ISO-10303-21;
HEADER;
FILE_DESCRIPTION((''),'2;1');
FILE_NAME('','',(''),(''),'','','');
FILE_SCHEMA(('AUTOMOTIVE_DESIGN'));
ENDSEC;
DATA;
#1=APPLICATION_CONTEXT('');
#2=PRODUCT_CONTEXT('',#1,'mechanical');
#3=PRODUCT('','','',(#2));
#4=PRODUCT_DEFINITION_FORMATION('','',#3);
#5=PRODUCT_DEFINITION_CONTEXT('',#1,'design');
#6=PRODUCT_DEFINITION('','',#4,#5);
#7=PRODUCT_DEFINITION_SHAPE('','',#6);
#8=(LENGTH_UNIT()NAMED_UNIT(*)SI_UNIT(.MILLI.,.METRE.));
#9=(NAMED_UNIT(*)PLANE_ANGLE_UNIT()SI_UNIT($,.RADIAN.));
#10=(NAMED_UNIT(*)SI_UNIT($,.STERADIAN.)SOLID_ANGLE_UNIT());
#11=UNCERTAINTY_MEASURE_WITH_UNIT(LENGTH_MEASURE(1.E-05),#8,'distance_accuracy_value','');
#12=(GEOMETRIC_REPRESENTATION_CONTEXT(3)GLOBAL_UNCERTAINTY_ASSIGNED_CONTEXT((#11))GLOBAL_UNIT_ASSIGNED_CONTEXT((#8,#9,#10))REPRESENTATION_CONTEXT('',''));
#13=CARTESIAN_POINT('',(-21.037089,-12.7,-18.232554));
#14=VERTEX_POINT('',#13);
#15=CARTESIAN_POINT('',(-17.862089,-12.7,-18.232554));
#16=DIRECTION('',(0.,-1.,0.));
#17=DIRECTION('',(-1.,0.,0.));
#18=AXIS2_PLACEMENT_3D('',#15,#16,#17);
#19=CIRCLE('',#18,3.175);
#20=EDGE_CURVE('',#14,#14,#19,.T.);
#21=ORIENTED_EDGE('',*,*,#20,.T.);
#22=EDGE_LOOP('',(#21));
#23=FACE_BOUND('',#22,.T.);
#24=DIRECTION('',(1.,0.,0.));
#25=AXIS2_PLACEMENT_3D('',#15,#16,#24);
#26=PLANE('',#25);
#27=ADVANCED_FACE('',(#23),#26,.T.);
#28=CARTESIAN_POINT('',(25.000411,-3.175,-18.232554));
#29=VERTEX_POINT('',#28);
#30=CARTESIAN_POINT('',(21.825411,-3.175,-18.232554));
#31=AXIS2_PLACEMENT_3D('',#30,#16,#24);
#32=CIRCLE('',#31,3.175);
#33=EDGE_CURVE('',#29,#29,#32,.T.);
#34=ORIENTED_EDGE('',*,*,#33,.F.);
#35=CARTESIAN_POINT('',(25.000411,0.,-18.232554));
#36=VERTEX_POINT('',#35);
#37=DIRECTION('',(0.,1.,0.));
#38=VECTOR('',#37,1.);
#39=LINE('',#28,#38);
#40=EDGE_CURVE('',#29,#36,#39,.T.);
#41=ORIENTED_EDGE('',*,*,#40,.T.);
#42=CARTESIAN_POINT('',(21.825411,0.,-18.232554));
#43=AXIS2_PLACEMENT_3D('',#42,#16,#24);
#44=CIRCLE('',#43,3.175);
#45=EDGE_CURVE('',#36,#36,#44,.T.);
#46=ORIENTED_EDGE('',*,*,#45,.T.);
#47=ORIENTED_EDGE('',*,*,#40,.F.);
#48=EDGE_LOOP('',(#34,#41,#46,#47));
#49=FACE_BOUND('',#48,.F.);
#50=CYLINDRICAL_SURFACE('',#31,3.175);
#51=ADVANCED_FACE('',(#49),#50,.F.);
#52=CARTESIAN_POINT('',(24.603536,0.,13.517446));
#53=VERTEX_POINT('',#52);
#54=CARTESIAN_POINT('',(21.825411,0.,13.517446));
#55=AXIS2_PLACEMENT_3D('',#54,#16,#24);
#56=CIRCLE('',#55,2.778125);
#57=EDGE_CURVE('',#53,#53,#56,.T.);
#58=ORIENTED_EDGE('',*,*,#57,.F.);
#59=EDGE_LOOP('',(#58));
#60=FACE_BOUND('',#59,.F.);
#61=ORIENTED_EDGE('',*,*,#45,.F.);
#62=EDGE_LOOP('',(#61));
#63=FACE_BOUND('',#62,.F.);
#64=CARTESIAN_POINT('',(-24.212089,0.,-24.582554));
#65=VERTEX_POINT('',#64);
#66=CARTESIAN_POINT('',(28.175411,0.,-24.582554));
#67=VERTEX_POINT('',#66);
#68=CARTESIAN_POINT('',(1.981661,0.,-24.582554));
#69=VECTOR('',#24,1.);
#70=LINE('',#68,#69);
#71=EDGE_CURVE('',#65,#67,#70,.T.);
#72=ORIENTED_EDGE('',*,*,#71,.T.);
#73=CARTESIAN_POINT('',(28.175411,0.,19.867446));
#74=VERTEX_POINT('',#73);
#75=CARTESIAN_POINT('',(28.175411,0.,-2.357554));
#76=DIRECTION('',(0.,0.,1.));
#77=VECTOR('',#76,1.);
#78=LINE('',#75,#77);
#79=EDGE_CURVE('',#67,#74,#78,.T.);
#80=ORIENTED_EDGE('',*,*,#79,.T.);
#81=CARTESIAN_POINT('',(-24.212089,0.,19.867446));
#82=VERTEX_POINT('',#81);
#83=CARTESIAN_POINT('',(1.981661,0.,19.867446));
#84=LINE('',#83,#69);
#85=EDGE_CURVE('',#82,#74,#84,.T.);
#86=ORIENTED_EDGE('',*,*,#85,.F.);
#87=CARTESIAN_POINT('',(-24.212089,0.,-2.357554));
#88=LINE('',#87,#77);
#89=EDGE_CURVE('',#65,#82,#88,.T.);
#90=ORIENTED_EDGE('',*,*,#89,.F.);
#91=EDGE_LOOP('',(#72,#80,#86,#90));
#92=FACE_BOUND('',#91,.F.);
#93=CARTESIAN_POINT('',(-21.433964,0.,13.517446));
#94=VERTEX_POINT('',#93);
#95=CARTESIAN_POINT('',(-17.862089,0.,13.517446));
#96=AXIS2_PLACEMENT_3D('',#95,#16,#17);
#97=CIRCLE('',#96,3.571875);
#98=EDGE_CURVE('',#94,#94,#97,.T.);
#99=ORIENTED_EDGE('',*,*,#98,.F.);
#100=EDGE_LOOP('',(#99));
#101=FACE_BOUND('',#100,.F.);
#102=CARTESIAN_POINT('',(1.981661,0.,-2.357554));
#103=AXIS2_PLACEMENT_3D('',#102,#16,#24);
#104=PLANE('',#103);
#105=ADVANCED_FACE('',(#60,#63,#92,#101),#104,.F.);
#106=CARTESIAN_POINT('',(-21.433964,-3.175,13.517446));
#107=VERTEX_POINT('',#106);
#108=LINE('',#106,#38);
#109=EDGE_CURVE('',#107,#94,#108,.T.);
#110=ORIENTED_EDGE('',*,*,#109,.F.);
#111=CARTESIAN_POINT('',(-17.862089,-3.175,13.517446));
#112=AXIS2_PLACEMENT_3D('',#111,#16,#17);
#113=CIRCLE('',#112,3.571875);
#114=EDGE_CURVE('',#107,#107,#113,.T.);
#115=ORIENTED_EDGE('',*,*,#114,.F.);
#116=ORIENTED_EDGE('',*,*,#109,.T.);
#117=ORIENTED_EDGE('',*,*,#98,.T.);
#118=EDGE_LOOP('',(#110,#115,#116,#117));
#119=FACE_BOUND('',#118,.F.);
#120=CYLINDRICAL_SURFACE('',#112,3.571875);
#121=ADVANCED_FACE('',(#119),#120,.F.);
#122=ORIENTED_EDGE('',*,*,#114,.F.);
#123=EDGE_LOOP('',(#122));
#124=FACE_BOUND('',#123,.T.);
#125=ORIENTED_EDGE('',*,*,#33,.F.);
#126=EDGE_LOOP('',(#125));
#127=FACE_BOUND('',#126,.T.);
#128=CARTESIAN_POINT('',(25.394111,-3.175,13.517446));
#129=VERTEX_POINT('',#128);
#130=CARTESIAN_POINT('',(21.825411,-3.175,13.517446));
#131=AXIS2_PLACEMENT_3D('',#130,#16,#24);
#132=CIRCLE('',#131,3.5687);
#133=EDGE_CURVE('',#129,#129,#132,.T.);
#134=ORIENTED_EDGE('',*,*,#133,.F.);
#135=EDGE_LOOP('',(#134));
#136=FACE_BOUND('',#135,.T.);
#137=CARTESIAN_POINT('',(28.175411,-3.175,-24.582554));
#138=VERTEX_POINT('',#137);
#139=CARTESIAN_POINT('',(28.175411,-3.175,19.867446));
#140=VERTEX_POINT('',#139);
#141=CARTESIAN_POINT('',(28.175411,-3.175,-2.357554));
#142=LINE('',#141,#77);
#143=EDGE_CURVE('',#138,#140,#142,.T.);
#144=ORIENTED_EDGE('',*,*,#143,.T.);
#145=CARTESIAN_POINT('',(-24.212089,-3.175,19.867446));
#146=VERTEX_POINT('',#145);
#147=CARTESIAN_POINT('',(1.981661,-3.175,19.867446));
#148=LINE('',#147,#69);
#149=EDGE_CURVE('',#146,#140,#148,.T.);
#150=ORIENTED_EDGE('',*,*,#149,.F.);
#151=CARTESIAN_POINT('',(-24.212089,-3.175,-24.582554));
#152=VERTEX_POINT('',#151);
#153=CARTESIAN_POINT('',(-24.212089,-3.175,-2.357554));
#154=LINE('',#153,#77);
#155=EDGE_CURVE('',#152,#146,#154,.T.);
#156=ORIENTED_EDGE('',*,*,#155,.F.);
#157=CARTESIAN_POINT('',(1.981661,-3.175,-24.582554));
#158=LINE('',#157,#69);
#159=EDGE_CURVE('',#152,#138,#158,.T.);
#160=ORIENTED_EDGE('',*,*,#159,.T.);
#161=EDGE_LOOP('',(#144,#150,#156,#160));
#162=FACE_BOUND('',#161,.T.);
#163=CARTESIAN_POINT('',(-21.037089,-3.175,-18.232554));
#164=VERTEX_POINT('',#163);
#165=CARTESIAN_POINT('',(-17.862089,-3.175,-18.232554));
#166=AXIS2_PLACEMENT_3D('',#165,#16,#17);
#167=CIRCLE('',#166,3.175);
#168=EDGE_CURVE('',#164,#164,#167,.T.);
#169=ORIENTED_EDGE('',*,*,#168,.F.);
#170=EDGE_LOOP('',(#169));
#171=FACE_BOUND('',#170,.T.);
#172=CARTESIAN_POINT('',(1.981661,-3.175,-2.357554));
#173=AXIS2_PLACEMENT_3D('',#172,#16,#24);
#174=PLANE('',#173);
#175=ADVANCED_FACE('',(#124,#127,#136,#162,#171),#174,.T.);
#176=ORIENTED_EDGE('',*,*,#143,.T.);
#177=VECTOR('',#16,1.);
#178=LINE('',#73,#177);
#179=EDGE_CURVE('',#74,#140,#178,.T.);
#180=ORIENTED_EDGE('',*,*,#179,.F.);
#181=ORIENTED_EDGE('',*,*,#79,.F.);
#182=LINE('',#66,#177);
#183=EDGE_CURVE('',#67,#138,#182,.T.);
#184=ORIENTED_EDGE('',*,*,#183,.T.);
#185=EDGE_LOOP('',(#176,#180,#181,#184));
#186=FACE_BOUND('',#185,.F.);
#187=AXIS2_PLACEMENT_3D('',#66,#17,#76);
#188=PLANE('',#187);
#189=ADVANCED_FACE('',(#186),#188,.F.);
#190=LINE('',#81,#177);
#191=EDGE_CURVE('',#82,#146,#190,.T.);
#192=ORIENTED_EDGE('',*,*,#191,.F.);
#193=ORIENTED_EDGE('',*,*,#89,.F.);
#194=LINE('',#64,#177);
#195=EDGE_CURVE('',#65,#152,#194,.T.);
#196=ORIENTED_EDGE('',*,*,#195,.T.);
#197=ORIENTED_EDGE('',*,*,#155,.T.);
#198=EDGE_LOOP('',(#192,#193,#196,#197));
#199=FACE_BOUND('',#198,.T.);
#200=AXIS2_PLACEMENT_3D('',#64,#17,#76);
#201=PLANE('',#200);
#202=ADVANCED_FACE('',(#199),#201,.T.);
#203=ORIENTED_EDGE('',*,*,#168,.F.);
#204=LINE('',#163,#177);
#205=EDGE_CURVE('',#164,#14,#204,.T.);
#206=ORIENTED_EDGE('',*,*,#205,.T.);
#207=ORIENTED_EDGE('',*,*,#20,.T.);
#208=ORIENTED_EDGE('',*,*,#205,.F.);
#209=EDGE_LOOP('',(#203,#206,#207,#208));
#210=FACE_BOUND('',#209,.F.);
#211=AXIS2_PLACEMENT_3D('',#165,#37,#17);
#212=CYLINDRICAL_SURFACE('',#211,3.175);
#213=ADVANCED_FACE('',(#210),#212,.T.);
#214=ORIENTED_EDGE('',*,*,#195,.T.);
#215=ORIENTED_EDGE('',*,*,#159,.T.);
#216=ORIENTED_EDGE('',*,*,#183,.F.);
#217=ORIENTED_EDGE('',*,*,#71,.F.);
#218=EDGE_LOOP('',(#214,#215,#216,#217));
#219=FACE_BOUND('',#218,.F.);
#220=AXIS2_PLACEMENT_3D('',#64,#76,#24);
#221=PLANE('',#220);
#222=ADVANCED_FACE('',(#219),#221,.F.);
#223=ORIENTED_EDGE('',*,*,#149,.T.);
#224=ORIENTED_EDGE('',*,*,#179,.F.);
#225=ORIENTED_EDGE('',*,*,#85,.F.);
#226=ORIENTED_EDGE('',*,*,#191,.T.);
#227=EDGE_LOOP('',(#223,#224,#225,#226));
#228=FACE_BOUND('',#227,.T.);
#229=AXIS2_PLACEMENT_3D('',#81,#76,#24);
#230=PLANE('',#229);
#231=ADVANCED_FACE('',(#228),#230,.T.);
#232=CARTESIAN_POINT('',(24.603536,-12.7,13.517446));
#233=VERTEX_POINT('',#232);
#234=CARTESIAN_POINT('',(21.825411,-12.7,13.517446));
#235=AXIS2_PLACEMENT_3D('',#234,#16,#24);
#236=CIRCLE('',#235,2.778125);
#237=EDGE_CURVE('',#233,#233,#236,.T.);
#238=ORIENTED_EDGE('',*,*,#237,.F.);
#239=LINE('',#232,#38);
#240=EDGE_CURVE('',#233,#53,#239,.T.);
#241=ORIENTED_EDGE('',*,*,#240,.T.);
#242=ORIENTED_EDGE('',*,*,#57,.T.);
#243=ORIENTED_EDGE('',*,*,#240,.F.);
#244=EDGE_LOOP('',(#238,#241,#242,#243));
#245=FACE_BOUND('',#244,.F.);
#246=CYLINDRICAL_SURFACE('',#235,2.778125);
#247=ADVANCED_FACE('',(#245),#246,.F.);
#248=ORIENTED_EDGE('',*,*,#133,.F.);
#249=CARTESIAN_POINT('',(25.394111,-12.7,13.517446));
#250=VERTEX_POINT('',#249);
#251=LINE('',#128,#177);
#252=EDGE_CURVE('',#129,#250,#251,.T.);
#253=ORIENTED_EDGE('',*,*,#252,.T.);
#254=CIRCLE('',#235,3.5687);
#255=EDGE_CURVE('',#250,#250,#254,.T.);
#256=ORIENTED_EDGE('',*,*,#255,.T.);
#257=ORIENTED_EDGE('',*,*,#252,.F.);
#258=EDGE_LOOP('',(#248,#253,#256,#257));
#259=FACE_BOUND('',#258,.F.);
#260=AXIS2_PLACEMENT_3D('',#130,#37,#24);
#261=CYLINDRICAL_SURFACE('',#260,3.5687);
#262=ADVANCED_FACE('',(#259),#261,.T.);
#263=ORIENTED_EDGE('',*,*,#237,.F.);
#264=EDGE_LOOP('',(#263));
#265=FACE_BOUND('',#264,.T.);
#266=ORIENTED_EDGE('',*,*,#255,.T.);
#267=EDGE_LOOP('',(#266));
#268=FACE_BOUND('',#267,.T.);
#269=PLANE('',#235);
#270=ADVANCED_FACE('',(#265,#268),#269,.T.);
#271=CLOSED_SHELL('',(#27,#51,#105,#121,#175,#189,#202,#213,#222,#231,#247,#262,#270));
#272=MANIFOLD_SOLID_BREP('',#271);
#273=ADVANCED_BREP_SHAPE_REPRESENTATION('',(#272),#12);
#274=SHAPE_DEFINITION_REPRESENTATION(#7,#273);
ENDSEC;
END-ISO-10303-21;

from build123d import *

# Parameters (mm, degrees)
F0_W      = 52.3875
F0_H      = 44.45
F1_DEPTH  = 3.175
F3_DEPTH  = 3.176
F4_R      = 3.5687
F5_DEPTH  = 9.525
F6_R      = 2.778125
F7_DEPTH  = 12.701
F9_DEPTH  = 9.525
F10_R     = 3.175
F11_DEPTH = 3.176


with BuildPart() as f1:
    # F0 (on Front) → F1 (new body)
    with BuildSketch(Plane.XZ):
        with Locations((1.981661, -2.357554)):
            Rectangle(F0_W, F0_H)
    extrude(amount=F1_DEPTH)

    # F2 (on face) → F3 (cut, through all)
    with BuildSketch(Plane.XZ.offset(3.175)):
        with BuildLine():
            ThreePointArc((-14.290214, 13.517446), (-17.862089, 17.089321), (-21.433964, 13.517446))
            ThreePointArc((-21.433964, 13.517446), (-17.862089, 9.945571), (-14.290214, 13.517446))
        make_face()
    extrude(amount=-F3_DEPTH, mode=Mode.SUBTRACT)

    # F4 (on face) → F5 (join)
    with BuildSketch(Plane.XZ.offset(3.175)):
        with Locations((21.825411, 13.517446)):
            Circle(F4_R)
    extrude(amount=F5_DEPTH)

    # F6 (on face) → F7 (cut, through all)
    with BuildSketch(Plane.XZ.offset(12.7)):
        with Locations((21.825411, 13.517446)):
            Circle(F6_R)
    extrude(amount=-F7_DEPTH, mode=Mode.SUBTRACT)

    # F8 (on face) → F9 (join)
    with BuildSketch(Plane.XZ.offset(3.175)):
        with BuildLine():
            ThreePointArc((-14.687089, -18.232554), (-17.862089, -15.057554), (-21.037089, -18.232554))
            ThreePointArc((-21.037089, -18.232554), (-17.862089, -21.407554), (-14.687089, -18.232554))
        make_face()
    extrude(amount=F9_DEPTH)

    # F10 (on face) → F11 (cut, through all)
    with BuildSketch(Plane.XZ.offset(3.175)):
        with Locations((21.825411, -18.232554)):
            Circle(F10_R)
    extrude(amount=-F11_DEPTH, mode=Mode.SUBTRACT)


solid = f1.part
